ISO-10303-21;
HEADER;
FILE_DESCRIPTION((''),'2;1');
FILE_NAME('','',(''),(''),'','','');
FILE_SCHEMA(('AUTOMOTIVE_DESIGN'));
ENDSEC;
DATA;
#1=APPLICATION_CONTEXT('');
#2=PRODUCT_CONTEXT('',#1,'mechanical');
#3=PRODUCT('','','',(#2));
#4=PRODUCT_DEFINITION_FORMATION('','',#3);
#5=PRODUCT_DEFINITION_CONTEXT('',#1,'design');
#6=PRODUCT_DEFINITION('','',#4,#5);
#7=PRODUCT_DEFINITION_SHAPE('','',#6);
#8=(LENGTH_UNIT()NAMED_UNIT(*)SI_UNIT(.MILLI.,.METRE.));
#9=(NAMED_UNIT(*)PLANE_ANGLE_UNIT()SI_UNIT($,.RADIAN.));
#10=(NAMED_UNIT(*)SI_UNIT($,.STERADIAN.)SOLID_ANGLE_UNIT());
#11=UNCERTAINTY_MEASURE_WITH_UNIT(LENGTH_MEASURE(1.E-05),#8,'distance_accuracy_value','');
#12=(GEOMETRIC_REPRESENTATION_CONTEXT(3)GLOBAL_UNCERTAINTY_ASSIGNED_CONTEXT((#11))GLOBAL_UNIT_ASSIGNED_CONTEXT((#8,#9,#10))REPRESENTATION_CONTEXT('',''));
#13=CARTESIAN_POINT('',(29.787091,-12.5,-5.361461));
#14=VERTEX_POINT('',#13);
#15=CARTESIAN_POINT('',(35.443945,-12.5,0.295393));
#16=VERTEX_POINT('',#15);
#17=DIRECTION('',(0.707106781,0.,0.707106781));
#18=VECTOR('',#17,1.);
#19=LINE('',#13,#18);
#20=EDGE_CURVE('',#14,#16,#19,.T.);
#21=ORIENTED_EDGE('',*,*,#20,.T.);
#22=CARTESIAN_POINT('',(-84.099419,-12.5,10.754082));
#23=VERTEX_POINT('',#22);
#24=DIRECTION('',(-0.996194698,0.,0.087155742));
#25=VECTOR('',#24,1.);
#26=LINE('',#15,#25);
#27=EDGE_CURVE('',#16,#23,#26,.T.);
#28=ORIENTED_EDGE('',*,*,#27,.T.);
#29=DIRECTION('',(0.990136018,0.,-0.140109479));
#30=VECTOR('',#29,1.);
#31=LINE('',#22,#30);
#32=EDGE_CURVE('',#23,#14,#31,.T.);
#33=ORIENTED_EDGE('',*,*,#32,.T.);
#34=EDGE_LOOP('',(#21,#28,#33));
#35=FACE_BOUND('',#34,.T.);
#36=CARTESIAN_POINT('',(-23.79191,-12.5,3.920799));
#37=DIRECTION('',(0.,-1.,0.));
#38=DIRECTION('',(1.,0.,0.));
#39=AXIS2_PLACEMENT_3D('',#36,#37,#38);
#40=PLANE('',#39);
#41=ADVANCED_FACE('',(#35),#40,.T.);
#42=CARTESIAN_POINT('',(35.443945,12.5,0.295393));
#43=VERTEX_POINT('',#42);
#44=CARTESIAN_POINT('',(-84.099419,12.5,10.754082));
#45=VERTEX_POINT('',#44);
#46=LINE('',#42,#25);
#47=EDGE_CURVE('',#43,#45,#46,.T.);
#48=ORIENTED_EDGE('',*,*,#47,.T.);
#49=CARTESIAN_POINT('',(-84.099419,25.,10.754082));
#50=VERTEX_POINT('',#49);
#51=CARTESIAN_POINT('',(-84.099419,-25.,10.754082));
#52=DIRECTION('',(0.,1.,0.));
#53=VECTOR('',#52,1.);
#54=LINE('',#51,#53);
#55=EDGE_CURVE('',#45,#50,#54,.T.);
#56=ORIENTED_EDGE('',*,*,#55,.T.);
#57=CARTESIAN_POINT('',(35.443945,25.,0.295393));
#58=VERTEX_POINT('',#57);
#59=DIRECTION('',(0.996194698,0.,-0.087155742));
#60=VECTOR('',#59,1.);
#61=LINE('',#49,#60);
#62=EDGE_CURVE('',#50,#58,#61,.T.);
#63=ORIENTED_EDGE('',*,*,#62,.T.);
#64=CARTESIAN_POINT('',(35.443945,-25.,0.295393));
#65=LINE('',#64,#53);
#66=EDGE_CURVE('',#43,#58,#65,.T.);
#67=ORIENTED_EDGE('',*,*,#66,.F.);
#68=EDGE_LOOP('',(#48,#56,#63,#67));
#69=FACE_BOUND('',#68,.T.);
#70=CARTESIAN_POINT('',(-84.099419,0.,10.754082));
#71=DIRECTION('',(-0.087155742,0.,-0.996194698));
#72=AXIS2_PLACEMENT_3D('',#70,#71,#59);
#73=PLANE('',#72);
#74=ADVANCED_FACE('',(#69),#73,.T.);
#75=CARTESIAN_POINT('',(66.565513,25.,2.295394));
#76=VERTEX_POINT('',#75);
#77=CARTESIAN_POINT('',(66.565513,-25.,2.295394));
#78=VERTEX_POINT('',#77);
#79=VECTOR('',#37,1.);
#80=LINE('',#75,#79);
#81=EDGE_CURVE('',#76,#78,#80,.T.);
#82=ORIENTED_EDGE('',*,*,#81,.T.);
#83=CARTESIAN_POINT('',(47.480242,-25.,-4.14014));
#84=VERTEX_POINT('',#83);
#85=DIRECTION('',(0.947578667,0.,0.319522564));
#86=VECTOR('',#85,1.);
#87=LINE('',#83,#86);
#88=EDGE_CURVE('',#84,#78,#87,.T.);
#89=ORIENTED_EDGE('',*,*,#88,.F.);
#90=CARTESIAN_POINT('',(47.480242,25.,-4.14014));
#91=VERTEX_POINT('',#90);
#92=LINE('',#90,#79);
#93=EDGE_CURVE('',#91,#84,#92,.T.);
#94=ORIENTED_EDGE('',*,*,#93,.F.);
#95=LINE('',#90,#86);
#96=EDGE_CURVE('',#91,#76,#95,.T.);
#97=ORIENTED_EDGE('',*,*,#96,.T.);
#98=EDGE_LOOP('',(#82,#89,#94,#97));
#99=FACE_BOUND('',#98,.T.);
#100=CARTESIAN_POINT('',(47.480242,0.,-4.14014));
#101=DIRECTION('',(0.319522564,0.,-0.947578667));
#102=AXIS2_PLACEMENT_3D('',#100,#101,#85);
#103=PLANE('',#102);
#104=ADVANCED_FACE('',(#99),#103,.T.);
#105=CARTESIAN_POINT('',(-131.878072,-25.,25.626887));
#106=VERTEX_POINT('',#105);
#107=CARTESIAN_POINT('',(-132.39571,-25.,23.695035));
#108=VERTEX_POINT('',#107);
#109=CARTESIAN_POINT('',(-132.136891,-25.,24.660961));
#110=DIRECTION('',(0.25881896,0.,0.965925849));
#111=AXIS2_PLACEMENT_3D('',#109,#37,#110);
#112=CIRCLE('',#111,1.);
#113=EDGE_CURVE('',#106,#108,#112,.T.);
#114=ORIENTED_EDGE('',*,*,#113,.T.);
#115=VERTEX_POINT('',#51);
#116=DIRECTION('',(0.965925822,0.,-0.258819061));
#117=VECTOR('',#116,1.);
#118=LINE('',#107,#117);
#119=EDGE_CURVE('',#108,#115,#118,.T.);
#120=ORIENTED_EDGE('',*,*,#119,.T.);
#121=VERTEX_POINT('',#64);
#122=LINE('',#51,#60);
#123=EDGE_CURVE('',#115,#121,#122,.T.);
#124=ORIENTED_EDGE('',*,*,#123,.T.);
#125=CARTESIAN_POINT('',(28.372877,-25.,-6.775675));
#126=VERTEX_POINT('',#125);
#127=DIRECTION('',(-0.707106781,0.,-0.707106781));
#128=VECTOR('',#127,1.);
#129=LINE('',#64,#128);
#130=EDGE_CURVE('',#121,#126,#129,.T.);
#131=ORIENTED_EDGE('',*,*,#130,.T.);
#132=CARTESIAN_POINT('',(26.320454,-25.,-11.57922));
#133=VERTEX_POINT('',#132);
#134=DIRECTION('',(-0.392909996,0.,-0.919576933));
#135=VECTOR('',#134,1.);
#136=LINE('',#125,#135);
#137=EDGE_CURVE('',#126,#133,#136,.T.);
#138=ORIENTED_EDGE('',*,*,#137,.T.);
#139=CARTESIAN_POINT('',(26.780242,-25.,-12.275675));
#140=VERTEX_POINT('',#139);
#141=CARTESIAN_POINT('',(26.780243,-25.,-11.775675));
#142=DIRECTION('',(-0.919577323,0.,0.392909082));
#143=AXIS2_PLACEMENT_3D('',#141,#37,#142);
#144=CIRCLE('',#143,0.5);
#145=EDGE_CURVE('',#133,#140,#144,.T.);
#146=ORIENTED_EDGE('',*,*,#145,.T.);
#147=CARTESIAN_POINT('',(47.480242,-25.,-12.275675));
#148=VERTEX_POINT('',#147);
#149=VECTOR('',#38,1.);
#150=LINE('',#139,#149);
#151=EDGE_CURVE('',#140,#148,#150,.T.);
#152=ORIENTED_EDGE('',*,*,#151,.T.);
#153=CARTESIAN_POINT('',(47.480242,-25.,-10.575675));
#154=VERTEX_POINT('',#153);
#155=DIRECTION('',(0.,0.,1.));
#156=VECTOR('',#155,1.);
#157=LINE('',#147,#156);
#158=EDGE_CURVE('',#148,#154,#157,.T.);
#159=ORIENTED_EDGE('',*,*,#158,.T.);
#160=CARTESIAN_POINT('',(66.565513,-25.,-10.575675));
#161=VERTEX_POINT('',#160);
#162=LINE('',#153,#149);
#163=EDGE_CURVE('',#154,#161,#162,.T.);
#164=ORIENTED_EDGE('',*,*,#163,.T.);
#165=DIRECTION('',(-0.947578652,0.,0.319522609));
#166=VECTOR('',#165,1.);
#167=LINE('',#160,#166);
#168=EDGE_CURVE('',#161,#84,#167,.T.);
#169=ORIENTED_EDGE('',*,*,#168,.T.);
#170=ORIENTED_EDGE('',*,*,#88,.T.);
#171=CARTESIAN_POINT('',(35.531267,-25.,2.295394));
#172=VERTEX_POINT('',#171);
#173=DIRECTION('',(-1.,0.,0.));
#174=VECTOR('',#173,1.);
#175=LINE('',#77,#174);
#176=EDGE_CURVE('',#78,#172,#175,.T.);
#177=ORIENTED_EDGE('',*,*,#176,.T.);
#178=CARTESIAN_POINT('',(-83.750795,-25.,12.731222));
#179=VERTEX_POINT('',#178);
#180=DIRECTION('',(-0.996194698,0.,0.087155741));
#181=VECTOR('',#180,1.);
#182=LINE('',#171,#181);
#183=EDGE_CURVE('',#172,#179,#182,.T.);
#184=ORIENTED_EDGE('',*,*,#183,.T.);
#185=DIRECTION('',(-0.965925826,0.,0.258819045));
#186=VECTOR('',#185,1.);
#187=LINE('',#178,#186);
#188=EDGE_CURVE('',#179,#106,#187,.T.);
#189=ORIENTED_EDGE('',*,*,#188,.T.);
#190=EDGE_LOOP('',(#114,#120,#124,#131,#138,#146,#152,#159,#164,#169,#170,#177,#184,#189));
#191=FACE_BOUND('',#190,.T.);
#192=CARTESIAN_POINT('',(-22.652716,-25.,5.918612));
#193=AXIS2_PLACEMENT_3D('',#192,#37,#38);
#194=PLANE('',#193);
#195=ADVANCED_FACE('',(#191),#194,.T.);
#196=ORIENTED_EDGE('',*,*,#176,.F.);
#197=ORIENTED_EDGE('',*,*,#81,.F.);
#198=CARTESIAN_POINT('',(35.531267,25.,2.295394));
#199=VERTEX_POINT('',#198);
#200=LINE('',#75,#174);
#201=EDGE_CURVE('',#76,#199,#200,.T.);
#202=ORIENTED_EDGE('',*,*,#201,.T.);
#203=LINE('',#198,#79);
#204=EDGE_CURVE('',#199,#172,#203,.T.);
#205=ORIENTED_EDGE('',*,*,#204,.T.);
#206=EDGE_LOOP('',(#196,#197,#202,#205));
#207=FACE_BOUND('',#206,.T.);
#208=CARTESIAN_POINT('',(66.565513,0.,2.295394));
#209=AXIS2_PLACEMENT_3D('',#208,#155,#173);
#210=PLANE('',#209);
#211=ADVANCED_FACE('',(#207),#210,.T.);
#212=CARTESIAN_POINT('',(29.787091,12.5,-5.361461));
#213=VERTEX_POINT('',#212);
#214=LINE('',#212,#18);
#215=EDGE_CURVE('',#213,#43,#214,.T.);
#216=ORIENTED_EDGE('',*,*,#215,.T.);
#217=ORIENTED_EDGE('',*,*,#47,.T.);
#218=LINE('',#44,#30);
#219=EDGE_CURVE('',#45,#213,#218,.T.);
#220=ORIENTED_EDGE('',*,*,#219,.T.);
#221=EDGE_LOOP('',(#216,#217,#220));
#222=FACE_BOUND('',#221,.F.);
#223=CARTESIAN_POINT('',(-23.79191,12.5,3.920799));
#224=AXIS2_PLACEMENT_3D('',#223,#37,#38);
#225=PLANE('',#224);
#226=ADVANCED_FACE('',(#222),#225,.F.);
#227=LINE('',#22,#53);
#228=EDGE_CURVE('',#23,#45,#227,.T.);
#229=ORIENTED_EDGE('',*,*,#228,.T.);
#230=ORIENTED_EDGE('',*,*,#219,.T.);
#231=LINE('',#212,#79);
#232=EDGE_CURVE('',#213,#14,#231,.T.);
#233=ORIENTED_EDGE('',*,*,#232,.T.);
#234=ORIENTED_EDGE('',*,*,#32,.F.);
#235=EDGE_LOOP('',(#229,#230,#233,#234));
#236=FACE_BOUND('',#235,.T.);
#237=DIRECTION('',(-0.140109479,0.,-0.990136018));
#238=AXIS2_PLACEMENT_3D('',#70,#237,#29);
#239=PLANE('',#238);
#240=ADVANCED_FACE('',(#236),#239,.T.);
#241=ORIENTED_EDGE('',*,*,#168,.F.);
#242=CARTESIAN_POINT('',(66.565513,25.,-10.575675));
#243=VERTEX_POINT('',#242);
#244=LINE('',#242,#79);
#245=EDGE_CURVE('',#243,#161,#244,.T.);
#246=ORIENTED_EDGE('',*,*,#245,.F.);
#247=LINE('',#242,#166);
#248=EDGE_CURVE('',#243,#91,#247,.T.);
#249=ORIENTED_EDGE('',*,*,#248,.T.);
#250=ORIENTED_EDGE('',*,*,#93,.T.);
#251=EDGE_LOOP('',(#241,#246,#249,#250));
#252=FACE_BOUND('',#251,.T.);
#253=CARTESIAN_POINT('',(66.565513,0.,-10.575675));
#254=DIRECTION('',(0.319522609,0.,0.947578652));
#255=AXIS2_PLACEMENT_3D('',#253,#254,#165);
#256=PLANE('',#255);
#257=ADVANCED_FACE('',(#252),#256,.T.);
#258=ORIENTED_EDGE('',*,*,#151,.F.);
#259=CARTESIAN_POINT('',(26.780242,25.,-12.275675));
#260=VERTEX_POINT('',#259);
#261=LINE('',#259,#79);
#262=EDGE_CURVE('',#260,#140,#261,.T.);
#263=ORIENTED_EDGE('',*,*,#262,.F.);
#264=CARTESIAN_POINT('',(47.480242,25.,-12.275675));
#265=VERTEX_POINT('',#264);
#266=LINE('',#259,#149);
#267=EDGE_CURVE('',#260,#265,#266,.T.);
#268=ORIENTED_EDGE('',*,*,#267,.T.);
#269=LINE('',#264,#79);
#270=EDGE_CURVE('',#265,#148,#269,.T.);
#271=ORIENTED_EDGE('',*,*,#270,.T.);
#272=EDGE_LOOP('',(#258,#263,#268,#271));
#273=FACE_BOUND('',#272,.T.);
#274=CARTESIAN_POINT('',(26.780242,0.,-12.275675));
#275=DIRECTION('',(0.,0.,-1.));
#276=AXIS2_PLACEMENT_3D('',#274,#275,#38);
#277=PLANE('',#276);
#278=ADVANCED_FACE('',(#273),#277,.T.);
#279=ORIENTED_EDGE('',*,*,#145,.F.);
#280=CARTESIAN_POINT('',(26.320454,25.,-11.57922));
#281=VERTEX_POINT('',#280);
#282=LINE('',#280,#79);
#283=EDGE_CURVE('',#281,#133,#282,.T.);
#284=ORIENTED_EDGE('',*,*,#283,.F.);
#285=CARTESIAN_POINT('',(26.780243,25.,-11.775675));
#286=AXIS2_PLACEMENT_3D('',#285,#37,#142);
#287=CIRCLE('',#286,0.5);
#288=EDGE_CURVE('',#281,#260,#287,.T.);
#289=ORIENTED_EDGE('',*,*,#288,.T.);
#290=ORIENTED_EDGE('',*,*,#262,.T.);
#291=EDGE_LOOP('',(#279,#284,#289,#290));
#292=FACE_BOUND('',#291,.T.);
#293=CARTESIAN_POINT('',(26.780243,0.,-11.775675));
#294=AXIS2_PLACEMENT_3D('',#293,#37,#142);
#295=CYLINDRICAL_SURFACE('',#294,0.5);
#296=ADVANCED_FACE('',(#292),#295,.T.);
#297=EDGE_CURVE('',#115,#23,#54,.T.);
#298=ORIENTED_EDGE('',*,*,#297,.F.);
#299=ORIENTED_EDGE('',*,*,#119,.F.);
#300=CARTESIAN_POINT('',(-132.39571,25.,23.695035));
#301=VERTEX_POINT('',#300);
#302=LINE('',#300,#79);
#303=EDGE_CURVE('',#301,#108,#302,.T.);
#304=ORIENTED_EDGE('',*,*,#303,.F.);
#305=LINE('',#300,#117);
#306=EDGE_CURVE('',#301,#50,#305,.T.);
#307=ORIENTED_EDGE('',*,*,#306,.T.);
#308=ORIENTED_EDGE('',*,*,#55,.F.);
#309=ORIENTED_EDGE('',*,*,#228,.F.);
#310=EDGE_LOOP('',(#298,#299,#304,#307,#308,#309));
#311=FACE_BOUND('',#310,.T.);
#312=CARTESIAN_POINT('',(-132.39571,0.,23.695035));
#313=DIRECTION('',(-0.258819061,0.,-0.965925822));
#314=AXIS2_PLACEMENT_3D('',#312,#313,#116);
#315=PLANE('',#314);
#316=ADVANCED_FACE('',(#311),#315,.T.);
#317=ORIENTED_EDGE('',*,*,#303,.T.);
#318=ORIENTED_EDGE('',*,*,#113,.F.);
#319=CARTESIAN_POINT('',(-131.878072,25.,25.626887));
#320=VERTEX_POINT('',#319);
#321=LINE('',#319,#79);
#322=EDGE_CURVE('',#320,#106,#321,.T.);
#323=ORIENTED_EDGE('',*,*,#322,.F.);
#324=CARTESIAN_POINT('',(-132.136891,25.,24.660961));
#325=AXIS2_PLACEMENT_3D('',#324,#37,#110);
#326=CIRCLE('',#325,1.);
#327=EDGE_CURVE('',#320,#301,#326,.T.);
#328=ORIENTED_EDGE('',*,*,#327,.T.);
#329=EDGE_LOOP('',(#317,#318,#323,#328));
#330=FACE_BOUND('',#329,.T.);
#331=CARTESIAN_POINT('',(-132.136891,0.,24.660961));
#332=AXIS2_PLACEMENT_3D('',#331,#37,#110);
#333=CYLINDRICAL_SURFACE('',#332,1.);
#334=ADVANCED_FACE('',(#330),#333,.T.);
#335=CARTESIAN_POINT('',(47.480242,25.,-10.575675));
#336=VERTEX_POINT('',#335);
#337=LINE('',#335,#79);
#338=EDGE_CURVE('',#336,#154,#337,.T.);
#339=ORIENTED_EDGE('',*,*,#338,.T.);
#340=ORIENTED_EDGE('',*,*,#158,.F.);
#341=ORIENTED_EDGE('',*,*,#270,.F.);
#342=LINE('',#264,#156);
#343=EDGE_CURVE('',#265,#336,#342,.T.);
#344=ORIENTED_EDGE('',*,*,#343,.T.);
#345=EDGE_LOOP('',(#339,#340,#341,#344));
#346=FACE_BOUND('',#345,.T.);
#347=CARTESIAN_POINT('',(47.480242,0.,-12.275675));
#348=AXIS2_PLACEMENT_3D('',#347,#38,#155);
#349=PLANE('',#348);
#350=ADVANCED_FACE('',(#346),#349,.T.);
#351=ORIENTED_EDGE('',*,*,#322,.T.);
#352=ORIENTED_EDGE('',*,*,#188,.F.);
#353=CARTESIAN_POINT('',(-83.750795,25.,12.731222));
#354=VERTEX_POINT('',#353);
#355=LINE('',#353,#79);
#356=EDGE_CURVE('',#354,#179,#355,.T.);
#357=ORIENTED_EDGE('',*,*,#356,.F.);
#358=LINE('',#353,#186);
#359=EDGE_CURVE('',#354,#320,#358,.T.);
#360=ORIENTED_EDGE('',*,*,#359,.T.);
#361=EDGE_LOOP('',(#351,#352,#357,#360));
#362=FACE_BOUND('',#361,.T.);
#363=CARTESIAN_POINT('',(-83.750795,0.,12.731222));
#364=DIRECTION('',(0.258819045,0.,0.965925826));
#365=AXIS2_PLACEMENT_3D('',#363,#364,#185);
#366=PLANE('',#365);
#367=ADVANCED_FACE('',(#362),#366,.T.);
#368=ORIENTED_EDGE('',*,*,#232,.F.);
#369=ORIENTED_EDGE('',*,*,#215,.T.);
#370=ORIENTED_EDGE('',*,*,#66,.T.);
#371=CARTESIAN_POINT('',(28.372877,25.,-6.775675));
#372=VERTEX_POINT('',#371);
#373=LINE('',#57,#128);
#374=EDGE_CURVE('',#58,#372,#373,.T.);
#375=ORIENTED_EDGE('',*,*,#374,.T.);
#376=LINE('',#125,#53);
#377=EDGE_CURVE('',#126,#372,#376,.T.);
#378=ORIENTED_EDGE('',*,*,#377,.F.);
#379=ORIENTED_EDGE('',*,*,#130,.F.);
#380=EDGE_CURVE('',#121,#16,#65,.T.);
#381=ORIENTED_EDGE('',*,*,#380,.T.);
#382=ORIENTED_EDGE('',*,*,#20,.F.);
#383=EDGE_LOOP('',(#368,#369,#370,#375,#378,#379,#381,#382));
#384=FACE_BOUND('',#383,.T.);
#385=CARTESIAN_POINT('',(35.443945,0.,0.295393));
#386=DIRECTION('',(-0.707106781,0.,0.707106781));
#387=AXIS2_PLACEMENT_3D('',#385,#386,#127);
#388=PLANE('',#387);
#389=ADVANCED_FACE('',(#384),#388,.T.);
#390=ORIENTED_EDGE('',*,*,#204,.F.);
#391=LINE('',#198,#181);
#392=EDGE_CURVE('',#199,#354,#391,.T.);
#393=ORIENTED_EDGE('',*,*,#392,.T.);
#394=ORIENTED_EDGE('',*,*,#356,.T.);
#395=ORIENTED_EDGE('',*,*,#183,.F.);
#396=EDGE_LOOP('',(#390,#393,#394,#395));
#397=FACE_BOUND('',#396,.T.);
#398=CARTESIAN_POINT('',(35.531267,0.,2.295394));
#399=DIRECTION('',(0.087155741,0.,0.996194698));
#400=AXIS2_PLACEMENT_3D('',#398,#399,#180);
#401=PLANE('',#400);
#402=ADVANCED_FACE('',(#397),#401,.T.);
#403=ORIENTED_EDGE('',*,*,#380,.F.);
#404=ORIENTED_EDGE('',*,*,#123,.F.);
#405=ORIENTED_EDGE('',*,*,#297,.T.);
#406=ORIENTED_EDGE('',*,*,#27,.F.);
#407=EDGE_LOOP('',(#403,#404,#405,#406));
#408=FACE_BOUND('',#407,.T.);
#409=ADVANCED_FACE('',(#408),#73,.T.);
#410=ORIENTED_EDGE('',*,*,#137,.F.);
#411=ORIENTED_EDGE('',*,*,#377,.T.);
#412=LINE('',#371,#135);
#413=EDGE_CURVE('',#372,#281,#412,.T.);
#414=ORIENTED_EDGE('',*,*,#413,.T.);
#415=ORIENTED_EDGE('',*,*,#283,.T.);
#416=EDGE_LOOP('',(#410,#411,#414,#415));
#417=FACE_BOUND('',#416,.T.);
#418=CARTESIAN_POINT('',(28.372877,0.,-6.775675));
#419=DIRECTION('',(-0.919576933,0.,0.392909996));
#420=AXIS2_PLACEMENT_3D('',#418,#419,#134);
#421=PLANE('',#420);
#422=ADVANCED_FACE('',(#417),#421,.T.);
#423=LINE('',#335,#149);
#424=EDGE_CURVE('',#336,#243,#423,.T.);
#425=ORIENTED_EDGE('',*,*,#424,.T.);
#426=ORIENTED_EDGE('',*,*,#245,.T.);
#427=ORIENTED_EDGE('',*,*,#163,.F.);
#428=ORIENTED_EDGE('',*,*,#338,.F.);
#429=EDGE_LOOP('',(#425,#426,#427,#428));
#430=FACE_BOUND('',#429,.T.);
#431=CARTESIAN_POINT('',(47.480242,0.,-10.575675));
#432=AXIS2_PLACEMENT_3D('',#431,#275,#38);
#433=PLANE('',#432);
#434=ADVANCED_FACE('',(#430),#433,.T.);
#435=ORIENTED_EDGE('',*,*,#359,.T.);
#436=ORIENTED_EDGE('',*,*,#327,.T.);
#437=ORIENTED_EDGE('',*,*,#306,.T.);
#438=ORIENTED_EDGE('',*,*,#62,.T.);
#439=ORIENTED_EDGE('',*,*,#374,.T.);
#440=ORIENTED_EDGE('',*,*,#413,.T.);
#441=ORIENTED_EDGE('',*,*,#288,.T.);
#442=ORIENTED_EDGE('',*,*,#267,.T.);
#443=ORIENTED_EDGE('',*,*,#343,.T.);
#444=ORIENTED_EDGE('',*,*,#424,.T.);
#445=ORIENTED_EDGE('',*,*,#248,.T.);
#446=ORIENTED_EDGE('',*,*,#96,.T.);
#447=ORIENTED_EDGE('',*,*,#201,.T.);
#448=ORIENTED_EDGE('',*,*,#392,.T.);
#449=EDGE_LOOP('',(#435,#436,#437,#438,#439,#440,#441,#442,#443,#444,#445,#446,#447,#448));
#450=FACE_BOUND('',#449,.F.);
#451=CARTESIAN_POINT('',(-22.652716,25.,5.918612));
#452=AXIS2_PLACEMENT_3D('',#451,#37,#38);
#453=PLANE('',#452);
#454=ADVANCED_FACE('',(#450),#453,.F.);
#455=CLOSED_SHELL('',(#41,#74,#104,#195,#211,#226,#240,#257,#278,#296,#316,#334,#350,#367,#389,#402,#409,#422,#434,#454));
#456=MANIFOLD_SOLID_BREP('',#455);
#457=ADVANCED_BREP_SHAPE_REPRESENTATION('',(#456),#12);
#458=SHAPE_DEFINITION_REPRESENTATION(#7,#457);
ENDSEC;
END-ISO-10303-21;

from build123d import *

# Parameters (mm, degrees)
F1_DEPTH = 25
F2_DEPTH = 12.5


with BuildPart() as f1:
    # F0 (on Front) → F1 (new body, symmetric)
    with BuildSketch(Plane.XZ):
        with BuildLine():
            Line((28.372877, -6.775675), (26.320454, -11.57922))
            ThreePointArc((26.320454, -11.57922), (26.362973, -12.051149), (26.780242, -12.275675))
            Line((26.780242, -12.275675), (47.480242, -12.275675))
            Line((47.480242, -12.275675), (47.480242, -10.575675))
            Line((47.480242, -10.575675), (66.565513, -10.575675))
            Line((66.565513, -10.575675), (47.480242, -4.14014))
            Line((47.480242, -4.14014), (66.565513, 2.295394))
            Line((66.565513, 2.295394), (35.531267, 2.295394))
            Line((35.531267, 2.295394), (-83.750795, 12.731222))
            Line((-83.750795, 12.731222), (-131.878072, 25.626887))
            ThreePointArc((-131.878072, 25.626887), (-133.102817, 24.91978), (-132.39571, 23.695035))
            Line((-132.39571, 23.695035), (-84.099419, 10.754082))
            Line((-84.099419, 10.754082), (35.443945, 0.295393))
            Line((35.443945, 0.295393), (29.787091, -5.361461))
            Line((29.787091, -5.361461), (28.372877, -6.775675))
        make_face()
    extrude(amount=F1_DEPTH, both=True)

    # F0 (on Front) → F2 (join, symmetric)
    with BuildSketch(Plane.XZ):
        Polygon((-84.099419, 10.754082), (29.787091, -5.361461), (35.443945, 0.295393), align=None)
    extrude(amount=F2_DEPTH, both=True)


solid = f1.part
